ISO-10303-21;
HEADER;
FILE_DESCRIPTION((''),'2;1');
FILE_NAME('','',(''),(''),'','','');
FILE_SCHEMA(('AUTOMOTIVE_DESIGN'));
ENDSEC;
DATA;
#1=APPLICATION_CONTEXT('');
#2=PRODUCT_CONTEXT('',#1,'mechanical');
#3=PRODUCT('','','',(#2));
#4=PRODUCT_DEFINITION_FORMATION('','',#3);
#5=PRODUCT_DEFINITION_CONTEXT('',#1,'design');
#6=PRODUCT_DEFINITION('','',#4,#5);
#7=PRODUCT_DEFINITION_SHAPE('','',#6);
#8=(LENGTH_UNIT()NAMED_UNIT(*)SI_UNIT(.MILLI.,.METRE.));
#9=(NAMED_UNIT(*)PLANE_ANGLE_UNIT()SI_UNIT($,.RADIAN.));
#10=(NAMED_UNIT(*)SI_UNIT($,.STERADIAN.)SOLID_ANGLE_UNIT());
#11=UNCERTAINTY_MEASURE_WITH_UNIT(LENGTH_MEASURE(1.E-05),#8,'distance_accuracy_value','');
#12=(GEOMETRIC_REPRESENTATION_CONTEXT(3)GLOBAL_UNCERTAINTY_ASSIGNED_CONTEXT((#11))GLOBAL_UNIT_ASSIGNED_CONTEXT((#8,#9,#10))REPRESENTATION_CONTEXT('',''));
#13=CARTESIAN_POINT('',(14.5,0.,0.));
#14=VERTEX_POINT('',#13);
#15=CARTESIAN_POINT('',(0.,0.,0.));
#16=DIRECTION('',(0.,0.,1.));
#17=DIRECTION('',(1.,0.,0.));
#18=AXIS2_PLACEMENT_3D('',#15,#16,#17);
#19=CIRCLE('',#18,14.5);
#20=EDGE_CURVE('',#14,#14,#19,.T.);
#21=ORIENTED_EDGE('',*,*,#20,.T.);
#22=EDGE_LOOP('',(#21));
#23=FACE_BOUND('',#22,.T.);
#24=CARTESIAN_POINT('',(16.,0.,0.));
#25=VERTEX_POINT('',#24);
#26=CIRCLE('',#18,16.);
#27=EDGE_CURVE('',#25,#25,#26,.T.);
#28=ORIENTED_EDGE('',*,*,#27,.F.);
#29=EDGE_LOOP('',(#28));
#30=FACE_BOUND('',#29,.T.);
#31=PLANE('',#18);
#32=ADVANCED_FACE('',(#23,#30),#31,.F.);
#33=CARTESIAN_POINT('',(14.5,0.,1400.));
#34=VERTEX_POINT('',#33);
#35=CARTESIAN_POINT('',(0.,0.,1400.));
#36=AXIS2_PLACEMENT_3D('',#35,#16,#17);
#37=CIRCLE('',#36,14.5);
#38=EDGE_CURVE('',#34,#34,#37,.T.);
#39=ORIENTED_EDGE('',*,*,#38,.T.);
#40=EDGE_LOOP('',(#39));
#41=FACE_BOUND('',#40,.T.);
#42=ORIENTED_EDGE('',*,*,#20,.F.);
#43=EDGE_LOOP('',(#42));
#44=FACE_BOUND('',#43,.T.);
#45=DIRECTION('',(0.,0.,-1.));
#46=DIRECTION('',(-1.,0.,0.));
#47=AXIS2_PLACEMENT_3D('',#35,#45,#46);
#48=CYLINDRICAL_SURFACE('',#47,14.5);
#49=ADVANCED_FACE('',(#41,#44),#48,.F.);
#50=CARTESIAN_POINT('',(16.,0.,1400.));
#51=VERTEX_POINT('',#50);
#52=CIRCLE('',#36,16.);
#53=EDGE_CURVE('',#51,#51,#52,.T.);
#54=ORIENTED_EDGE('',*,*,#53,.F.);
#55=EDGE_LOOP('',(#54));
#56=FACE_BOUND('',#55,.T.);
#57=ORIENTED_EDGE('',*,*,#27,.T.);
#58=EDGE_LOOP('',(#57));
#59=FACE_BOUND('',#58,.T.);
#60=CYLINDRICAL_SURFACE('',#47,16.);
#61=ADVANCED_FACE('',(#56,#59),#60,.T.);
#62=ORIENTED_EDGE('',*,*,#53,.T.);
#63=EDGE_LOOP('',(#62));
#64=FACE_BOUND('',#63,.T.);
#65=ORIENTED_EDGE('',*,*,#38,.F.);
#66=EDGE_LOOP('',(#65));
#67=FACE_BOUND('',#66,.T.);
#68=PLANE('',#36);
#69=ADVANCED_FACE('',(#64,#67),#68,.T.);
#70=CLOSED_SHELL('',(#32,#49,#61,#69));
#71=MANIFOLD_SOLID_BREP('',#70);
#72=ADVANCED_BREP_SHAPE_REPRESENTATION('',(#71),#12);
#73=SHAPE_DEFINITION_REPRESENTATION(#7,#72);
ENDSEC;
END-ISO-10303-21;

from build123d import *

# Parameters (mm, degrees)
ESQUISSE1_R        = 16
ESQUISSE1_R_2      = 14.5
BOSS_EXTRU_1_DEPTH = 1400


with BuildPart() as part:
    # Esquisse1 → Boss.-Extru.1 (new body)
    with BuildSketch(Plane.XY):
        Circle(ESQUISSE1_R)
        Circle(ESQUISSE1_R_2, mode=Mode.SUBTRACT)
    extrude(amount=BOSS_EXTRU_1_DEPTH)


solid = part.part
